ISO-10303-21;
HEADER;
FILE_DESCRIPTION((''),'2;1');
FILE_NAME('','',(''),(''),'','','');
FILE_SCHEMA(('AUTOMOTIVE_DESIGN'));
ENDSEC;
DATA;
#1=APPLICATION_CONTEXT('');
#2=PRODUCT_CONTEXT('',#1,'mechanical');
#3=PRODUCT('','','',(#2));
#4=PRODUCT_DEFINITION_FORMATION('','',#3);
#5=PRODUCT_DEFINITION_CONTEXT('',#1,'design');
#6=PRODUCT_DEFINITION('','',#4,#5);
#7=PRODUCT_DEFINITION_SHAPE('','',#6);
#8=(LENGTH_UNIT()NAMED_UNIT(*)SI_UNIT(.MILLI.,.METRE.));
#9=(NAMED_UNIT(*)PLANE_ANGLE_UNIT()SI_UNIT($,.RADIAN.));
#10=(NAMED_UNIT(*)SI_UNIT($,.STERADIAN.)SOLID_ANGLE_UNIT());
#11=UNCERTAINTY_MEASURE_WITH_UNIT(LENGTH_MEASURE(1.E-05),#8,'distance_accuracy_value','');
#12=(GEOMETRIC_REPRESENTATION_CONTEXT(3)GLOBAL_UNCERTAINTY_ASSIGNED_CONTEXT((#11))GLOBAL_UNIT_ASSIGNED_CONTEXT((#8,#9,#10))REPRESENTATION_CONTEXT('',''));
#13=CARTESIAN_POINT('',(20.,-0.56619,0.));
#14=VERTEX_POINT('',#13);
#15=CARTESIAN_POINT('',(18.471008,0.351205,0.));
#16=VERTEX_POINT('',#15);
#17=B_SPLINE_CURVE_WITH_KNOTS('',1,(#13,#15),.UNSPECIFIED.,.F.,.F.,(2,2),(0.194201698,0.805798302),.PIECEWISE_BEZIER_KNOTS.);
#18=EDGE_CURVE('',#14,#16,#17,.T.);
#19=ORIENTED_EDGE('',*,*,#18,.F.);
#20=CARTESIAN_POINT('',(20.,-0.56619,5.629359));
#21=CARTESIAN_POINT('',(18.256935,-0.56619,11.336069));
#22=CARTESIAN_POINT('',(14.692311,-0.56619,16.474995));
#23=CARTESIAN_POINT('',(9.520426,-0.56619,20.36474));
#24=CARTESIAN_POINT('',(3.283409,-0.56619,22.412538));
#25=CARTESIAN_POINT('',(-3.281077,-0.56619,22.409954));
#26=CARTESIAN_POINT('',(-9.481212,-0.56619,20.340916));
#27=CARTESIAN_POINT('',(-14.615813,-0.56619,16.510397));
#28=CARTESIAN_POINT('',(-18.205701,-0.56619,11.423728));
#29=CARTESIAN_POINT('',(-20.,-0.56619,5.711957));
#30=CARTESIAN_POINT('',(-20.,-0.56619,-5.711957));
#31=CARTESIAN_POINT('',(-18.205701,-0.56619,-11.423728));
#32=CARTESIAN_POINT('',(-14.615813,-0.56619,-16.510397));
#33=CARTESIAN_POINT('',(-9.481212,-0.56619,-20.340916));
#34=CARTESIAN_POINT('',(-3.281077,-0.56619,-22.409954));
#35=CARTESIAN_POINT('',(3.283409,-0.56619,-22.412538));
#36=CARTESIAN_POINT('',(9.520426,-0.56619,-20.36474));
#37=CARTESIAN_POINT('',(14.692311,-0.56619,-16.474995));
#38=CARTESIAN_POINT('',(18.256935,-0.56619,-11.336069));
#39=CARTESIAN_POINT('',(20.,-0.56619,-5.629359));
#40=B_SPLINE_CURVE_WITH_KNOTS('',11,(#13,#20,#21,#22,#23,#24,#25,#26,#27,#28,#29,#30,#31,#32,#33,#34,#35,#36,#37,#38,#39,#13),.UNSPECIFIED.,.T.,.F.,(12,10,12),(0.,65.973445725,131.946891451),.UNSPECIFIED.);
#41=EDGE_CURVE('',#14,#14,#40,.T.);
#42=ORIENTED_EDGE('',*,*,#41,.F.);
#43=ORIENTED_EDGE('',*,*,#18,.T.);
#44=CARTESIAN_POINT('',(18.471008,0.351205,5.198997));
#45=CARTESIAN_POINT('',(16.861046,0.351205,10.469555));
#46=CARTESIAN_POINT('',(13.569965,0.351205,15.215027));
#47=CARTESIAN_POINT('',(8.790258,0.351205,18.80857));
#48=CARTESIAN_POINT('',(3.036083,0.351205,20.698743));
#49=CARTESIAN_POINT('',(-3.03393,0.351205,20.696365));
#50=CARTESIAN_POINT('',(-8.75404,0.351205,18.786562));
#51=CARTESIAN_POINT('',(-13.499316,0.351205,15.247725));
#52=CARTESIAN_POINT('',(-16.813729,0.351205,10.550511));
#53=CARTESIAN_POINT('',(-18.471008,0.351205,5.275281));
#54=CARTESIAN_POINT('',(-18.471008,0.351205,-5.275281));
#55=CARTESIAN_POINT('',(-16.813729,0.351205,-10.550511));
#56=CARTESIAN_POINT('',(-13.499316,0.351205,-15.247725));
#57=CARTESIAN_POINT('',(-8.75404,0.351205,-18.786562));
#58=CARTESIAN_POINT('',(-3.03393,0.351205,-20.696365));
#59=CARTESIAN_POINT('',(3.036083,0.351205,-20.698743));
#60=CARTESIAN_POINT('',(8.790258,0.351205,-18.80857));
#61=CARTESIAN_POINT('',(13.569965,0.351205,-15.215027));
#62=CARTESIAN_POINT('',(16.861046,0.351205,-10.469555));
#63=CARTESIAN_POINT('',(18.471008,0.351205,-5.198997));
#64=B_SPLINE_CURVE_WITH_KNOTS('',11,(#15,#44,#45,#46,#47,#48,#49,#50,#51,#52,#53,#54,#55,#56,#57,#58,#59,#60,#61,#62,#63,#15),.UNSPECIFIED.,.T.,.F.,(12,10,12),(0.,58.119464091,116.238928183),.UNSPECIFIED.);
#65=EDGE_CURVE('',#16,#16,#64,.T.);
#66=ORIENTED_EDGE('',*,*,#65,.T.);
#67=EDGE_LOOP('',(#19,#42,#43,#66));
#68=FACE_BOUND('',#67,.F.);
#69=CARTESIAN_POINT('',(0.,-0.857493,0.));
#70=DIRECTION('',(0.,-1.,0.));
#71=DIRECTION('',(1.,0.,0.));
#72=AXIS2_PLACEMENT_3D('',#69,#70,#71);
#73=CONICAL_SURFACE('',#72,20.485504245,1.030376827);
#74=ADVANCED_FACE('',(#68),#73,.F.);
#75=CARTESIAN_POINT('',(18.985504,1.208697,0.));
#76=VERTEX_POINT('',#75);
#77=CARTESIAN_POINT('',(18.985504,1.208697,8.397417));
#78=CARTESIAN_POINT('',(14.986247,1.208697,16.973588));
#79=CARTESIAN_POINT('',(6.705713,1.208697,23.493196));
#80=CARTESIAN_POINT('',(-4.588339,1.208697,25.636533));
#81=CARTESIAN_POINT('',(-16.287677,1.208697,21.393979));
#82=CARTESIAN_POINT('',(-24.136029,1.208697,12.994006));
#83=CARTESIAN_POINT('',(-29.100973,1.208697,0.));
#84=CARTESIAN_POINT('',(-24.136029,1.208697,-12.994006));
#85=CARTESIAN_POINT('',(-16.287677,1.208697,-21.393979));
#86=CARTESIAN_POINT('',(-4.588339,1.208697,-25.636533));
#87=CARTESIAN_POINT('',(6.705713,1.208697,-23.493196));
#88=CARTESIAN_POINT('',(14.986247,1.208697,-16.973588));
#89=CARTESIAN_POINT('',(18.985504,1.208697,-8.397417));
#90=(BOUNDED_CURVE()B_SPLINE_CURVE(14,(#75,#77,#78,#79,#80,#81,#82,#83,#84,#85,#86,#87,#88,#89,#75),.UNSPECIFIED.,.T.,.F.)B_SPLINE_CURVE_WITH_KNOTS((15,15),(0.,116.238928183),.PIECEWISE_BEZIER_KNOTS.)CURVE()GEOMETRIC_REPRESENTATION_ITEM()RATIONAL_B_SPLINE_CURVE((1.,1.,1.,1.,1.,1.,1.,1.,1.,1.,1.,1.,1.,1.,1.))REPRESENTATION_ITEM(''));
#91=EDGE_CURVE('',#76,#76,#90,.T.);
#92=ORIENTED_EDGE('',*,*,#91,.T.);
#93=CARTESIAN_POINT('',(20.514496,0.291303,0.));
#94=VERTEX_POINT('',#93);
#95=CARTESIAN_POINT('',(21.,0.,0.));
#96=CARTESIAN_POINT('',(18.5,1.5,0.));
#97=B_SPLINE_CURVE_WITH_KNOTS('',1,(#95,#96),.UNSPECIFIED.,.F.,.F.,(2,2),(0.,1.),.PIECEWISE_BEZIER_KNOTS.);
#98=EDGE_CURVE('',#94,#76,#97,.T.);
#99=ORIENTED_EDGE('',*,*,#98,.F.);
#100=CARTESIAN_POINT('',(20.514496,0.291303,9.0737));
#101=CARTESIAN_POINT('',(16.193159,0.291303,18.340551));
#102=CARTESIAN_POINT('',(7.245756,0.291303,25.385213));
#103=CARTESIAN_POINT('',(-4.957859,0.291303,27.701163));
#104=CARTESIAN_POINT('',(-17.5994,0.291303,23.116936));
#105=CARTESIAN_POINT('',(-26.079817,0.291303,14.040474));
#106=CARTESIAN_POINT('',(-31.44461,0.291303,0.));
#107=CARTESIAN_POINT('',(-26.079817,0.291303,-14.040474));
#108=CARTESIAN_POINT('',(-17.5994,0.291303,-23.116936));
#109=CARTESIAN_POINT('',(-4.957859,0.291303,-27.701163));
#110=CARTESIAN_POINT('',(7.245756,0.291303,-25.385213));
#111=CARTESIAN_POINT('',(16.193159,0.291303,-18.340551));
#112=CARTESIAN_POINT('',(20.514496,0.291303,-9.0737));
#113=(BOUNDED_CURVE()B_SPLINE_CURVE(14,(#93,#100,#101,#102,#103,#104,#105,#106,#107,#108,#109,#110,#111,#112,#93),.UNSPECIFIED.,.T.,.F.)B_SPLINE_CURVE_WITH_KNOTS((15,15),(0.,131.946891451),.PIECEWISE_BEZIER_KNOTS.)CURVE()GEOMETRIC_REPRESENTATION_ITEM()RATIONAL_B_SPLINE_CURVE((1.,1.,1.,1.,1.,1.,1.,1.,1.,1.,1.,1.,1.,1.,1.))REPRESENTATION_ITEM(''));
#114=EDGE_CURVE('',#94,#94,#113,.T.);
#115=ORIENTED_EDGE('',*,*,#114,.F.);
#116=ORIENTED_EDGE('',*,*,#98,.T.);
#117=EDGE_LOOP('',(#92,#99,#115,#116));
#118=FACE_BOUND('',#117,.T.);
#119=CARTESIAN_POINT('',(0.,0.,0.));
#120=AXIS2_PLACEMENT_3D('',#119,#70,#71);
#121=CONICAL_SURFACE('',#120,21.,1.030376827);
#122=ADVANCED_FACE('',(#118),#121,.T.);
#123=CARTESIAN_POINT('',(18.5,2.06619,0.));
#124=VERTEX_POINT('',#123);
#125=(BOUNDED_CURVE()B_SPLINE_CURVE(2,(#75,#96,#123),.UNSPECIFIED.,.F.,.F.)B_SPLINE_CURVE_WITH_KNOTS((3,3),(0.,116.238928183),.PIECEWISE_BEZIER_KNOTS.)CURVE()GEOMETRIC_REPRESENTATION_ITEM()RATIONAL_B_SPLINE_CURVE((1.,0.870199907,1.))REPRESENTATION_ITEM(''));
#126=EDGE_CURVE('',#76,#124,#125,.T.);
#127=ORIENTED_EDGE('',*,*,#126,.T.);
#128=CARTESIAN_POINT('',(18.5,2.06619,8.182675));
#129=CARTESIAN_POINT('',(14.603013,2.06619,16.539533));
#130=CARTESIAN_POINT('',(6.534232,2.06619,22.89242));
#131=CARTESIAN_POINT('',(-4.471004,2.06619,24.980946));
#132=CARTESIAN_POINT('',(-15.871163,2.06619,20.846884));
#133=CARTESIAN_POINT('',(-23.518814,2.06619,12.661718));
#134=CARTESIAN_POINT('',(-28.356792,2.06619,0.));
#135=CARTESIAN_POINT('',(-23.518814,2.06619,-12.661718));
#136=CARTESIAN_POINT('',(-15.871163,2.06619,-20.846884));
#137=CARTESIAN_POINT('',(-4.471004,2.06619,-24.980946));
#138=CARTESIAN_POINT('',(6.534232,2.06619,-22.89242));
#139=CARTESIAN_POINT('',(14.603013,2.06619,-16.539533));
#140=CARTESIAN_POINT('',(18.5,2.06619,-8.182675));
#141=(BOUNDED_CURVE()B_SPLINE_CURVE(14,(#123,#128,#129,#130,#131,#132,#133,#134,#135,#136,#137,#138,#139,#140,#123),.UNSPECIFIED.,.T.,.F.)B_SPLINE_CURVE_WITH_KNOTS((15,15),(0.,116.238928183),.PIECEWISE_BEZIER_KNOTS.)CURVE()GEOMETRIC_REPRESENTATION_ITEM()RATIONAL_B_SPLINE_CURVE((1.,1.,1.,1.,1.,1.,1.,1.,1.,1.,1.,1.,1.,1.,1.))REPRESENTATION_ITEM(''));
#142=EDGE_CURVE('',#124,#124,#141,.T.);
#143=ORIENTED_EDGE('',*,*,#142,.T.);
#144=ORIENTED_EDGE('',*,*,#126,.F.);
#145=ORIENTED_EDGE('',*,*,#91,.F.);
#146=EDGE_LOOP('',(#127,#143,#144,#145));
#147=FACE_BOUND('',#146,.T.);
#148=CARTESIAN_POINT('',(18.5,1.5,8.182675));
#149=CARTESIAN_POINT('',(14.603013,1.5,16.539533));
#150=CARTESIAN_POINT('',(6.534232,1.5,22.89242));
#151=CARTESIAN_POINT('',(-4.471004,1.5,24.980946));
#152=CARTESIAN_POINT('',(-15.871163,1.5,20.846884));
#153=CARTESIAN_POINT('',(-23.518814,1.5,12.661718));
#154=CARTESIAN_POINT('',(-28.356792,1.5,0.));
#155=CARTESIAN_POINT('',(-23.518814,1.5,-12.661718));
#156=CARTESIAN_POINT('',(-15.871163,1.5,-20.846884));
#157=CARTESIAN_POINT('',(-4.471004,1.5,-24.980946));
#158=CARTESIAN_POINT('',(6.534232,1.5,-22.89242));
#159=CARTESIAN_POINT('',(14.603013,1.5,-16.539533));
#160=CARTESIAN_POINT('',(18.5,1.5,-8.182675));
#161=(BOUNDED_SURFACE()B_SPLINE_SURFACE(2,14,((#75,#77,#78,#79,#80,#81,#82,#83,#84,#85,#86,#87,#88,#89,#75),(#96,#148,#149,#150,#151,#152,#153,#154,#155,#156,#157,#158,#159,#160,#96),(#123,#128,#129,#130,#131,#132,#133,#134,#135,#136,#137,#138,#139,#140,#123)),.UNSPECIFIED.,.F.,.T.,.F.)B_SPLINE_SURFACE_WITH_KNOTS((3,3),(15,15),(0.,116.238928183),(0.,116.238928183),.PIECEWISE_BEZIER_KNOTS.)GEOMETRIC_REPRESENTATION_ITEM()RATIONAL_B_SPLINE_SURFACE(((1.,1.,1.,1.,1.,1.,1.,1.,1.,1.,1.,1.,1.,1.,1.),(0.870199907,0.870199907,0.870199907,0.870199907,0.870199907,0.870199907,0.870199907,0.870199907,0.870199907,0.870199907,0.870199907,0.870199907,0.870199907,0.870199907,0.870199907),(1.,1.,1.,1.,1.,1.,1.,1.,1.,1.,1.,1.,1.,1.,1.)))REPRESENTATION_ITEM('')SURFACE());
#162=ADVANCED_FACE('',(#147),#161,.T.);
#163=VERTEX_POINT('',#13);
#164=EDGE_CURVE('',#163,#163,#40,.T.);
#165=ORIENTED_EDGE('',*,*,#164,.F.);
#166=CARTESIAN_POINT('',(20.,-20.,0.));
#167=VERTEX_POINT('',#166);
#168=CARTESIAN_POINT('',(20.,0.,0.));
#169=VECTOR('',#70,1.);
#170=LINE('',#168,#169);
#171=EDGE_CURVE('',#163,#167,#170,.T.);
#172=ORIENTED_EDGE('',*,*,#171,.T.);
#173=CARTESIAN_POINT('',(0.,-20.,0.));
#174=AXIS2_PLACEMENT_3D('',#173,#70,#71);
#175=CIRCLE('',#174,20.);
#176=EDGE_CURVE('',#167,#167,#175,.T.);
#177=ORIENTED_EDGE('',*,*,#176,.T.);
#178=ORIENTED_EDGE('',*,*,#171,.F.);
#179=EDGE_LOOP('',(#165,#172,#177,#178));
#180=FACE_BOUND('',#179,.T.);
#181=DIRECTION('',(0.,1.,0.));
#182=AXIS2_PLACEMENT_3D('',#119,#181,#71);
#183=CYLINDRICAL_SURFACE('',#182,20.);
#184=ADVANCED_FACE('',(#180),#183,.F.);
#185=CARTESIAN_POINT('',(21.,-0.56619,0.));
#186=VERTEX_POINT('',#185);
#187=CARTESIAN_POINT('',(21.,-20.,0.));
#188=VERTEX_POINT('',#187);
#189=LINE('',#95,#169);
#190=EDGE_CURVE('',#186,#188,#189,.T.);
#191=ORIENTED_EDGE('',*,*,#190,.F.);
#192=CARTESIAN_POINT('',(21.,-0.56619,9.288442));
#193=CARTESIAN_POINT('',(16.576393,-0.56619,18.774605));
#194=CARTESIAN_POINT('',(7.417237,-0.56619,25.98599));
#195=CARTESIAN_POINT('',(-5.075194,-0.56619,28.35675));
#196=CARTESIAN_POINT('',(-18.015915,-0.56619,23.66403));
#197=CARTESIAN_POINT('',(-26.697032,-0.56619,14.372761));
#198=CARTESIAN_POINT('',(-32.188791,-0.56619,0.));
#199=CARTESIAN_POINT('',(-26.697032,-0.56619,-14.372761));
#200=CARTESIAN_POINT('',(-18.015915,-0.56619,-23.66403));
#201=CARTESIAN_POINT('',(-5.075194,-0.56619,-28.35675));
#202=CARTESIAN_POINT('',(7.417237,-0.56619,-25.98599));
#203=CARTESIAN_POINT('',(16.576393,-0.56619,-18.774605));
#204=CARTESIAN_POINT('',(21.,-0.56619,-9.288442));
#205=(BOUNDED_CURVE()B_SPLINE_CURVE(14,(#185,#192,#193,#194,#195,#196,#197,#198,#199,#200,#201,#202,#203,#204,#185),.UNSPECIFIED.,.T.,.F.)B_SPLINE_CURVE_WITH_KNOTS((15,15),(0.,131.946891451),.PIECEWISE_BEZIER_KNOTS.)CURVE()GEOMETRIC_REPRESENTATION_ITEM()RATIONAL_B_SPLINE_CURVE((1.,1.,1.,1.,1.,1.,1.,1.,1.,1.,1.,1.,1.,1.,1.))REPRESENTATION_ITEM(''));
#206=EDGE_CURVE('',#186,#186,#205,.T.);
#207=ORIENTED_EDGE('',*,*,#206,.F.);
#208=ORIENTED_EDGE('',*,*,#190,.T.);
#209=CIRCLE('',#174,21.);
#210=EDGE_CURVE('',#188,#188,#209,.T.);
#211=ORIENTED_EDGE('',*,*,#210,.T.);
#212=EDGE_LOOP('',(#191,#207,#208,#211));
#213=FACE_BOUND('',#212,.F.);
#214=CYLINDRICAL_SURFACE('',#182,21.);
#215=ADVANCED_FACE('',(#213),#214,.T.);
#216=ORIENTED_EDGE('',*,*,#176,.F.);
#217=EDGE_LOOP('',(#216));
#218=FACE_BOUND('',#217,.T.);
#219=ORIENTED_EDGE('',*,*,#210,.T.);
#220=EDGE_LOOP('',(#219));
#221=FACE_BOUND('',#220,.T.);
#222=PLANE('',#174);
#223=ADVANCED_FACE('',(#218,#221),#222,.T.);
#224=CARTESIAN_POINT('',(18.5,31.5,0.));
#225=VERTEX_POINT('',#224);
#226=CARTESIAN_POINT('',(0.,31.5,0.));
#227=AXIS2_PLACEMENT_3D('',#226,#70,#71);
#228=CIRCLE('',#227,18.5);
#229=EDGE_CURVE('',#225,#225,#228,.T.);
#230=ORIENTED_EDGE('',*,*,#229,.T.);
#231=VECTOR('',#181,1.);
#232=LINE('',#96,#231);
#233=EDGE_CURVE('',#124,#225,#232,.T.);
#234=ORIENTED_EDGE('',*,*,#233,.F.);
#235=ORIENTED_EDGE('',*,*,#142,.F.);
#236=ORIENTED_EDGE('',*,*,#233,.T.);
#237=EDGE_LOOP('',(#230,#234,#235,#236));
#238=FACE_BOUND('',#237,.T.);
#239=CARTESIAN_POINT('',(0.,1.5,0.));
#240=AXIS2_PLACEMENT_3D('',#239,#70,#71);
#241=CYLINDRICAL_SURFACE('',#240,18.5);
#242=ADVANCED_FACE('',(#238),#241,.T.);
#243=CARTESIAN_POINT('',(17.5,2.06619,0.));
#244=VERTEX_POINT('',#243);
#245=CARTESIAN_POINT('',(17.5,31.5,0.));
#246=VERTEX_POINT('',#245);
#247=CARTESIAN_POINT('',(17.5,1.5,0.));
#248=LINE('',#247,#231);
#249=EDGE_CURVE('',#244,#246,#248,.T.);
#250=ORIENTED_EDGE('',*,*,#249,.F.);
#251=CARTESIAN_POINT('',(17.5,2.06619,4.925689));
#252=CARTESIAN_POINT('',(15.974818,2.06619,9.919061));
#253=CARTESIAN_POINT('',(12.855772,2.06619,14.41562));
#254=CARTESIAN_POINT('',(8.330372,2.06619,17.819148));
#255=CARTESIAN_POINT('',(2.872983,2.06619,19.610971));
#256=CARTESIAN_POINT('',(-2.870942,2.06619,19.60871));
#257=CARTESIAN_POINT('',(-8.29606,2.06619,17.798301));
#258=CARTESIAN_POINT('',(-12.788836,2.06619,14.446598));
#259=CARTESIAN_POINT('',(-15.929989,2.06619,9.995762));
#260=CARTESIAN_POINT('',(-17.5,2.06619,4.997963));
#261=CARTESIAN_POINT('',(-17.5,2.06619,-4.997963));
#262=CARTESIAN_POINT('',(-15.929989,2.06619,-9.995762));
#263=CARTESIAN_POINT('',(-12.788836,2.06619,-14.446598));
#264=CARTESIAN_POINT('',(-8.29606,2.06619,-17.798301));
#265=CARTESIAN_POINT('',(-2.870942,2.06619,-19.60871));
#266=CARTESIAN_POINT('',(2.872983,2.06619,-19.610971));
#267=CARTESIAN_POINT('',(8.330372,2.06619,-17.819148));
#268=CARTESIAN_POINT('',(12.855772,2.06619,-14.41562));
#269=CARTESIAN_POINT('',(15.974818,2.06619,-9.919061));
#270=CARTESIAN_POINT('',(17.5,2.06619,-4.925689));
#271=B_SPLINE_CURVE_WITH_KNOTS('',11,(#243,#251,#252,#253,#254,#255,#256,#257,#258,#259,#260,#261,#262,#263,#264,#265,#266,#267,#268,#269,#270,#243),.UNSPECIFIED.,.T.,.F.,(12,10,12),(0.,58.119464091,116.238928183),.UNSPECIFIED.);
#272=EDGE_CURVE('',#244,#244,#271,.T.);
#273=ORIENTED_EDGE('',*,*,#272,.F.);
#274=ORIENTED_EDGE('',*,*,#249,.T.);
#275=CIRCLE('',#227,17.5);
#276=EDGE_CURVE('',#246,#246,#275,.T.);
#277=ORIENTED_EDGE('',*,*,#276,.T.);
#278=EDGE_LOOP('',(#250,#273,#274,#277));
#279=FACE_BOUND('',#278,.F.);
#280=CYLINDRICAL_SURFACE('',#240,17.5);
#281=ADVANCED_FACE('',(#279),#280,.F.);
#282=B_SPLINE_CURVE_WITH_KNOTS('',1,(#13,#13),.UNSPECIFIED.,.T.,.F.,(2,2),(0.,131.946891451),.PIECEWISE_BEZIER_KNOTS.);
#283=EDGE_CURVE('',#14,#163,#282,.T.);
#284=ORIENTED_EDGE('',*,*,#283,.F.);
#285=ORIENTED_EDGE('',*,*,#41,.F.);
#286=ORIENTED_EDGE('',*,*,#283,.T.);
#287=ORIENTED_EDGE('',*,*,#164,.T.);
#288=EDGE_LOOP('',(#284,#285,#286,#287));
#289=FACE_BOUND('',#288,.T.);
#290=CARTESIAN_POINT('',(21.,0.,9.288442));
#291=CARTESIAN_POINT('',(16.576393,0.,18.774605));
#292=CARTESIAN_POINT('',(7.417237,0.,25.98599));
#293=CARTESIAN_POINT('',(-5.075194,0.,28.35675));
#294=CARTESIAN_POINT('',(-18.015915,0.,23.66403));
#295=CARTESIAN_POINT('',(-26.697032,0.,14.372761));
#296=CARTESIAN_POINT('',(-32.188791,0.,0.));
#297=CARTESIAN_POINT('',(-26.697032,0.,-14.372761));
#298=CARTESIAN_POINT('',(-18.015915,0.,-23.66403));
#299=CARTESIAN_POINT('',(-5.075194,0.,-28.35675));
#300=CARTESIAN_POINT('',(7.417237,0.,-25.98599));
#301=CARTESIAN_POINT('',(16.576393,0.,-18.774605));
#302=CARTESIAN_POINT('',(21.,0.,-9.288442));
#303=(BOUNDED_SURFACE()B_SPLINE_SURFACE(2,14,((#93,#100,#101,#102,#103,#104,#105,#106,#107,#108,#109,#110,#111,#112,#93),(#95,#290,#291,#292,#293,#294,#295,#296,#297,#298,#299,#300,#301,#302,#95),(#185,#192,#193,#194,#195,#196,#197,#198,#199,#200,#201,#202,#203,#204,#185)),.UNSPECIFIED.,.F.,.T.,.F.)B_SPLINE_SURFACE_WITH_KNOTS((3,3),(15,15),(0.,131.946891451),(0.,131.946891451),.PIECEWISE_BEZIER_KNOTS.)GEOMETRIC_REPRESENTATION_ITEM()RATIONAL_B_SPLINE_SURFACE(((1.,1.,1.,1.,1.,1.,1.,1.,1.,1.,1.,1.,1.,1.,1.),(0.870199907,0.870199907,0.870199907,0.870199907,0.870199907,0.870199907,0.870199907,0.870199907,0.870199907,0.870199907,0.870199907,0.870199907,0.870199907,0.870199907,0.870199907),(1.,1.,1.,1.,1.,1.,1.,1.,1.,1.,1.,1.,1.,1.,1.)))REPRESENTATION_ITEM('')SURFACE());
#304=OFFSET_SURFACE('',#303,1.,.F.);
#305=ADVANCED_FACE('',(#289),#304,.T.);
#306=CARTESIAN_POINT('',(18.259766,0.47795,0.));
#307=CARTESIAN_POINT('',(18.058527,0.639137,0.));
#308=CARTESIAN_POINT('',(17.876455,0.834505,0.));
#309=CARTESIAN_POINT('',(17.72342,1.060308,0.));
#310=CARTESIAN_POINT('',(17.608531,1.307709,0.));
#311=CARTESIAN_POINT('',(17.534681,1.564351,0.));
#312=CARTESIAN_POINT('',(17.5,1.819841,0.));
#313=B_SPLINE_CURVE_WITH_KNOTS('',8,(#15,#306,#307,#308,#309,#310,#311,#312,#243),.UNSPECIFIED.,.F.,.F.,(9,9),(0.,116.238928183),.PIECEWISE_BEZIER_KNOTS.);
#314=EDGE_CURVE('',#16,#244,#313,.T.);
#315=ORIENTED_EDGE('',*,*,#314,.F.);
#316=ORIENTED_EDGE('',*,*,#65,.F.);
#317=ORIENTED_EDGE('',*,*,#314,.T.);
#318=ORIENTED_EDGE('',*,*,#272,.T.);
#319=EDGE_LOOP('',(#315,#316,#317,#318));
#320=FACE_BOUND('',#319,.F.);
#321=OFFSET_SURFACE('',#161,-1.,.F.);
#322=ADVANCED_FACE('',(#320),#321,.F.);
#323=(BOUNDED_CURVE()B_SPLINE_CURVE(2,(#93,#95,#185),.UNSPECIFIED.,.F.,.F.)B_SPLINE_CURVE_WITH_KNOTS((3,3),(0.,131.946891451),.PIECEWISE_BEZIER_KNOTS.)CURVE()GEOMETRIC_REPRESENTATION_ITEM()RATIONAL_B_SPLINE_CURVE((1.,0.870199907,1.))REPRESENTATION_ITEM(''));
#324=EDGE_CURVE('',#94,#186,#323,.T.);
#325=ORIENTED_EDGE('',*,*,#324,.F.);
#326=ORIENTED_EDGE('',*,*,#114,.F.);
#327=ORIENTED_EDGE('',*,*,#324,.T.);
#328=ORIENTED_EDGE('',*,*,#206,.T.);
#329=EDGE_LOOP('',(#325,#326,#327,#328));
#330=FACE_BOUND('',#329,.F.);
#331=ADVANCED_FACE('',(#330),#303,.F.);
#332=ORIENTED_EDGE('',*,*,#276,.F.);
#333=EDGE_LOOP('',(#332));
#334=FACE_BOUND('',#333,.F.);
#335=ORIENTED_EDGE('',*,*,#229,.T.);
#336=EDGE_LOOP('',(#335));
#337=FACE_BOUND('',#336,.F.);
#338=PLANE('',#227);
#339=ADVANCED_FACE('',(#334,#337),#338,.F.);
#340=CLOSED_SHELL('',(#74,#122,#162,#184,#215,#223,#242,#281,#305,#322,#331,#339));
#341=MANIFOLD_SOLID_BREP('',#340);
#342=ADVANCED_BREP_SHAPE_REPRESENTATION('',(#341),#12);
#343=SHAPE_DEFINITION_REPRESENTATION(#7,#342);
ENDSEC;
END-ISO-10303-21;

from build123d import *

# Parameters (mm, degrees)
F0_R      = 21
F1_DEPTH  = 20
F3_R      = 18.5
F4_DEPTH  = 30
F1_FACE_R = 21
F4_FACE_R = 18.5
F6_R      = 1
F7_T      = -1


with BuildPart() as f1:
    # F0 (on Front) → F1 (new body)
    with BuildSketch(Plane.XZ):
        Circle(F0_R)
    extrude(amount=F1_DEPTH)



with BuildPart() as f4:
    # F3 (on offset) → F4 (new body)
    with BuildSketch(Plane.XZ.offset(-1.5)):
        Circle(F3_R)
    extrude(amount=-F4_DEPTH)


with BuildPart() as f1_1:
    add(f1.part)

    add(f4.part)  # F5 merges F4
    # F1_face (on face) → F5 section 0
    with BuildSketch(Plane(origin=(0, 0, 0), x_dir=(1, 0, 0), z_dir=(0, 1, 0))):
        Circle(F1_FACE_R)
    # F4_face (on face) → F5 section 1
    with BuildSketch(Plane.XZ.offset(-1.5)):
        Circle(F4_FACE_R)
    loft()

    # F6
    f6_edges = [f1_1.edges().sort_by_distance(p)[0] for p in [
        (-21, 0, 0),
        (-18.5, 1.5, 0),
    ]]
    fillet(f6_edges, radius=F6_R)

    # F7
    f7_openings = [f1_1.faces().sort_by_distance(p)[0] for p in [
        (0, -20, 0),
        (0, 31.5, 0),
    ]]
    offset(amount=F7_T, openings=f7_openings)


solid = f1_1.part
